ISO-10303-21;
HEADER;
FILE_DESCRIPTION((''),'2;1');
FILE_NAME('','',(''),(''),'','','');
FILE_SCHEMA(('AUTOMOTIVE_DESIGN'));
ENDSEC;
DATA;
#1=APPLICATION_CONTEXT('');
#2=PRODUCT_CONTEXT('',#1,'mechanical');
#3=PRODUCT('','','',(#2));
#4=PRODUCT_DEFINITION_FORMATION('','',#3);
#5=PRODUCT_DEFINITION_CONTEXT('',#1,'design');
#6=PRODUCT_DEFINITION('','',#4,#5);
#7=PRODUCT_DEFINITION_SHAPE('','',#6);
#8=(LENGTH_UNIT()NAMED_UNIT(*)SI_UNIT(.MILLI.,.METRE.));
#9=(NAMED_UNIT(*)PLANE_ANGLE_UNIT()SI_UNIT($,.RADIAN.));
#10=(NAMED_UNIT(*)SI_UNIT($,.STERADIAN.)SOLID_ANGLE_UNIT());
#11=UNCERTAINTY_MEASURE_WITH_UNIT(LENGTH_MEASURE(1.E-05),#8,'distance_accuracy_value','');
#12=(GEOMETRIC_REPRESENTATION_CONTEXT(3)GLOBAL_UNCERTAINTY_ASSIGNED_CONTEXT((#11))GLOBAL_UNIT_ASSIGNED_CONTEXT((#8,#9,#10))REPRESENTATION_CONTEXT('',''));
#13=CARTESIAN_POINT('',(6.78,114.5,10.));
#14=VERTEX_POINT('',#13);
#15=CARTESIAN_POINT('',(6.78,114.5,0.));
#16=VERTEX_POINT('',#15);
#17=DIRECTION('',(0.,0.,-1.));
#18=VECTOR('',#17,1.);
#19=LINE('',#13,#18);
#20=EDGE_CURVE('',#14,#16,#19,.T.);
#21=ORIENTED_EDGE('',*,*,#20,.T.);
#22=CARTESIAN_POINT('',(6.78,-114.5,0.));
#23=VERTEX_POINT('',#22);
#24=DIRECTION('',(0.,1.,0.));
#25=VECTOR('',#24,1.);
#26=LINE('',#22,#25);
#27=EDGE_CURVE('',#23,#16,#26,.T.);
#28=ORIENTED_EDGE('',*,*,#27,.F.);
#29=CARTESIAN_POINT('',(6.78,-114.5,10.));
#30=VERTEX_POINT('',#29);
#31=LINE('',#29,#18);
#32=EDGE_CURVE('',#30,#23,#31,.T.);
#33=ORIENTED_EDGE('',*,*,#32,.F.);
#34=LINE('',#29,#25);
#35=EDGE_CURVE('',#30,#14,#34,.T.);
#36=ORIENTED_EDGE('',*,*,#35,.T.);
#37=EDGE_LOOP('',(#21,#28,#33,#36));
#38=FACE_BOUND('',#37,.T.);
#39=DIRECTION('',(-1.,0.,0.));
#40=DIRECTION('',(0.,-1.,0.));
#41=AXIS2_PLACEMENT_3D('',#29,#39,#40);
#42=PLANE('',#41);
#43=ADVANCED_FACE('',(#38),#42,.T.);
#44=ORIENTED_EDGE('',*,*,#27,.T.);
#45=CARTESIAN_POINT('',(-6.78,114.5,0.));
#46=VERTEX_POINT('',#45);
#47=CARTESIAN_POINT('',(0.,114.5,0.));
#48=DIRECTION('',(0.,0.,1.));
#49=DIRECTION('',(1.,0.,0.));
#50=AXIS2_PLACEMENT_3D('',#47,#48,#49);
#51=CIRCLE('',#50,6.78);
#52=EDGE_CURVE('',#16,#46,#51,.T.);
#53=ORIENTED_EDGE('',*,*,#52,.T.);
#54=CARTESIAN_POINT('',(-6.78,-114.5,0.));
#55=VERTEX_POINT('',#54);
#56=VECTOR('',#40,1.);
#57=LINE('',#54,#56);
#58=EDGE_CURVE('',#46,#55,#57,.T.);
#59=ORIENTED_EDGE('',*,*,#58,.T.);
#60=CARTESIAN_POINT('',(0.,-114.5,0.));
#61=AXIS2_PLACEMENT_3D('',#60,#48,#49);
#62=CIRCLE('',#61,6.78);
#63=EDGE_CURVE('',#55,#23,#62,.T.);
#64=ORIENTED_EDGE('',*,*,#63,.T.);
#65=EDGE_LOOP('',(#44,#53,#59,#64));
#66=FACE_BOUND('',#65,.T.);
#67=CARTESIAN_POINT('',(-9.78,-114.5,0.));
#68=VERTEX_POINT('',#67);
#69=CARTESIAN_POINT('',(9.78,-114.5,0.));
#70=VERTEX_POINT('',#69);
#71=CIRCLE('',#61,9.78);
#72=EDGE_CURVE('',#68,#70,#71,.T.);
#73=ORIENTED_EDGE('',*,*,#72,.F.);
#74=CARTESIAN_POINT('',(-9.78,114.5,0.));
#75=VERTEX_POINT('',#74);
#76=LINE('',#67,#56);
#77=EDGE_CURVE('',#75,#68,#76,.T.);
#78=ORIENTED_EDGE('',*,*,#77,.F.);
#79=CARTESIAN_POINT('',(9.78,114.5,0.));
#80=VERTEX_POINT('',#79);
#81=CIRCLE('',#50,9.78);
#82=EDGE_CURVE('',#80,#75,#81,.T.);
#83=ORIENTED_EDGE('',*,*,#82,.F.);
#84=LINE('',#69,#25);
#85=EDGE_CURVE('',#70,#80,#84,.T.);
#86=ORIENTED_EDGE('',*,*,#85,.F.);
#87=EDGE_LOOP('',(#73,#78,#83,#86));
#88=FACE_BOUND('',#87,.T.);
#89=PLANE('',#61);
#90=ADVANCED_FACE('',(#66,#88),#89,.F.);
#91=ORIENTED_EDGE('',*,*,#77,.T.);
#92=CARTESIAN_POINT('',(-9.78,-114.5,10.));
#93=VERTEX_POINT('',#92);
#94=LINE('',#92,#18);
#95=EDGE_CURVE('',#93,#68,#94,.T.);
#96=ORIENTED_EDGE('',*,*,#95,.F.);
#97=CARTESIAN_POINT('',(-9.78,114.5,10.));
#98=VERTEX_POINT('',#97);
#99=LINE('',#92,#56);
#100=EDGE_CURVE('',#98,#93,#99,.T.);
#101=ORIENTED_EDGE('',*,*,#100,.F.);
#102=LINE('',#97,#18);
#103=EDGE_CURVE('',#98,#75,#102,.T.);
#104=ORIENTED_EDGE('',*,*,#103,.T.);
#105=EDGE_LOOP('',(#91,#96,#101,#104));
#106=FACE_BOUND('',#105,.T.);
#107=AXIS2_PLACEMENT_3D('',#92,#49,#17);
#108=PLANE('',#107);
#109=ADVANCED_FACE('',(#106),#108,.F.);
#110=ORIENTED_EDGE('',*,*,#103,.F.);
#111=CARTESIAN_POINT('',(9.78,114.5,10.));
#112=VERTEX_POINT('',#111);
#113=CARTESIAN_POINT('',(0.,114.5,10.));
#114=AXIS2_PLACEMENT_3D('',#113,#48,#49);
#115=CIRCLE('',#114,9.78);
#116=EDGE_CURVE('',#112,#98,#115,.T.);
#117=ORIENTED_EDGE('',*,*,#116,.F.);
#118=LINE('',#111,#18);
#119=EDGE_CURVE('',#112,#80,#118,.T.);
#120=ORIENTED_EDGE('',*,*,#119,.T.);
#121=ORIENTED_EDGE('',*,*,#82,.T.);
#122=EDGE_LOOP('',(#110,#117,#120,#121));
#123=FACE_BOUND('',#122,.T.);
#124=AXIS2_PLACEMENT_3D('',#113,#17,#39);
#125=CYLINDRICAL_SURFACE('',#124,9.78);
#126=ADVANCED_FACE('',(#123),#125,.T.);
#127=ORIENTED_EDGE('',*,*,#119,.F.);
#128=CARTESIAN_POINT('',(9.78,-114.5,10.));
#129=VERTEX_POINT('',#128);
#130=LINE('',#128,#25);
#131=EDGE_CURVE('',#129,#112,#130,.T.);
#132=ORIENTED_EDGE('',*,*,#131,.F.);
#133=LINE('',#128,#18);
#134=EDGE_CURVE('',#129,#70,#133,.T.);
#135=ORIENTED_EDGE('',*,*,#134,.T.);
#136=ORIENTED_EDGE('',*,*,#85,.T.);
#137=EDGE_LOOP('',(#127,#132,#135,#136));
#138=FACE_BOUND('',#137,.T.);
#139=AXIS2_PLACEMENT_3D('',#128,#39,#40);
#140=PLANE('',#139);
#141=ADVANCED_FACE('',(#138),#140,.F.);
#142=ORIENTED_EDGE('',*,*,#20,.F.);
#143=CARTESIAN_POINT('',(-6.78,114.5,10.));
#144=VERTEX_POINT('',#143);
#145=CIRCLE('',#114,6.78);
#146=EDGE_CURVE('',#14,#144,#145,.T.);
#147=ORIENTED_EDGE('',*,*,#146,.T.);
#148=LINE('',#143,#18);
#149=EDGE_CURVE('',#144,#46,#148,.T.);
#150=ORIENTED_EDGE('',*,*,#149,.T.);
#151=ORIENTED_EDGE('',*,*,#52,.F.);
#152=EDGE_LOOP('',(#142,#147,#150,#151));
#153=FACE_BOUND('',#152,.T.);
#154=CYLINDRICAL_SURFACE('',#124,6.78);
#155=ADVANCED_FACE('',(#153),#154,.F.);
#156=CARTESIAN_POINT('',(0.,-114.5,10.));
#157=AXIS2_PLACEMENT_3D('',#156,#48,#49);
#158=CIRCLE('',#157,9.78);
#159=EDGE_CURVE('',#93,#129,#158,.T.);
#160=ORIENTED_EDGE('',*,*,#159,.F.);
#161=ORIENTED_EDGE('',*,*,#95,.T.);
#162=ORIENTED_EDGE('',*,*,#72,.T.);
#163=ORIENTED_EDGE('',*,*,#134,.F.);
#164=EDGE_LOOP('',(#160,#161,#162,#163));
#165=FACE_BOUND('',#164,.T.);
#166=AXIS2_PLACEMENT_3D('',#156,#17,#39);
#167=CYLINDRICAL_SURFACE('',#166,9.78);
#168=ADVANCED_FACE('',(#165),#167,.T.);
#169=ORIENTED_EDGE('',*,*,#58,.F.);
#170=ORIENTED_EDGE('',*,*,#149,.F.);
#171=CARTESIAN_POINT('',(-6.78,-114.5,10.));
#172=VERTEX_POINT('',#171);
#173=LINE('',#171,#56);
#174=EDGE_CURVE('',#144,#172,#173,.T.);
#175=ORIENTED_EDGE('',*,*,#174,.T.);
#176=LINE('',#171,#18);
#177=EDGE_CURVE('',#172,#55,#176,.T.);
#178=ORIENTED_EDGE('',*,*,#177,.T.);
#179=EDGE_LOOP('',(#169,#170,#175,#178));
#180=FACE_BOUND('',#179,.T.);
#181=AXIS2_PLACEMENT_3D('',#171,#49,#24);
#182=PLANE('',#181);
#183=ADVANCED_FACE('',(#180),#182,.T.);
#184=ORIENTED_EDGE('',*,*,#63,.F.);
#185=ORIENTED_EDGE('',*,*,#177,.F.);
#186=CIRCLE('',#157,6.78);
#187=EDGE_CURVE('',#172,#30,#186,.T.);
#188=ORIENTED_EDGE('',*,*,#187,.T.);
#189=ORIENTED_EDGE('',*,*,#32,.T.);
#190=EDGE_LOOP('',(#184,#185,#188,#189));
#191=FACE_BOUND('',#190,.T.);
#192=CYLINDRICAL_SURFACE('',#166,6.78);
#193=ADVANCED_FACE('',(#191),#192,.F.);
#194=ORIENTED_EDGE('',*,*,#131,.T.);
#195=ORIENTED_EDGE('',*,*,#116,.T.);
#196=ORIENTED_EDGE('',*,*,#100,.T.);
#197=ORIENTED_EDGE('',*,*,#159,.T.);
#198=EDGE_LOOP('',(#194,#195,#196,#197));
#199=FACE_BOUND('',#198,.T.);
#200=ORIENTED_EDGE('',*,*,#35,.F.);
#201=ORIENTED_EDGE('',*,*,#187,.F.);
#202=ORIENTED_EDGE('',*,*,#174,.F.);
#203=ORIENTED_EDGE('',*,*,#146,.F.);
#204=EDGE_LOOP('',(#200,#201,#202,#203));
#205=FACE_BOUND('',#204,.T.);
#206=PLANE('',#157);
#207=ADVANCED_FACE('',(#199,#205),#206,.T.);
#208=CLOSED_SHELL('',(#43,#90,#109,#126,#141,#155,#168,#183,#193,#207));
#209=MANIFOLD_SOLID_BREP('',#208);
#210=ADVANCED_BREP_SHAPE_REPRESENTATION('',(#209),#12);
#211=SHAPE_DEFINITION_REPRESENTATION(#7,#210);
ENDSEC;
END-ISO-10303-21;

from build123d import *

# Parameters (mm, degrees)
EXTRUDE_1_DEPTH = 10


with BuildPart() as part:
    # 草图1 → 凸台-拉伸1 (new body)
    with BuildSketch(Plane.XY):
        with BuildLine():
            Line((-9.78, -114.5), (-9.78, 114.5))
            ThreePointArc((-9.78, 114.5), (0, 124.28), (9.78, 114.5))
            Line((9.78, 114.5), (9.78, -114.5))
            ThreePointArc((9.78, -114.5), (0, -124.28), (-9.78, -114.5))
        make_face()
        with BuildLine():
            Line((-6.78, -114.5), (-6.78, 114.5))
            ThreePointArc((-6.78, 114.5), (0, 121.28), (6.78, 114.5))
            Line((6.78, 114.5), (6.78, -114.5))
            ThreePointArc((6.78, -114.5), (0, -121.28), (-6.78, -114.5))
        make_face(mode=Mode.SUBTRACT)
    extrude(amount=EXTRUDE_1_DEPTH)


solid = part.part
